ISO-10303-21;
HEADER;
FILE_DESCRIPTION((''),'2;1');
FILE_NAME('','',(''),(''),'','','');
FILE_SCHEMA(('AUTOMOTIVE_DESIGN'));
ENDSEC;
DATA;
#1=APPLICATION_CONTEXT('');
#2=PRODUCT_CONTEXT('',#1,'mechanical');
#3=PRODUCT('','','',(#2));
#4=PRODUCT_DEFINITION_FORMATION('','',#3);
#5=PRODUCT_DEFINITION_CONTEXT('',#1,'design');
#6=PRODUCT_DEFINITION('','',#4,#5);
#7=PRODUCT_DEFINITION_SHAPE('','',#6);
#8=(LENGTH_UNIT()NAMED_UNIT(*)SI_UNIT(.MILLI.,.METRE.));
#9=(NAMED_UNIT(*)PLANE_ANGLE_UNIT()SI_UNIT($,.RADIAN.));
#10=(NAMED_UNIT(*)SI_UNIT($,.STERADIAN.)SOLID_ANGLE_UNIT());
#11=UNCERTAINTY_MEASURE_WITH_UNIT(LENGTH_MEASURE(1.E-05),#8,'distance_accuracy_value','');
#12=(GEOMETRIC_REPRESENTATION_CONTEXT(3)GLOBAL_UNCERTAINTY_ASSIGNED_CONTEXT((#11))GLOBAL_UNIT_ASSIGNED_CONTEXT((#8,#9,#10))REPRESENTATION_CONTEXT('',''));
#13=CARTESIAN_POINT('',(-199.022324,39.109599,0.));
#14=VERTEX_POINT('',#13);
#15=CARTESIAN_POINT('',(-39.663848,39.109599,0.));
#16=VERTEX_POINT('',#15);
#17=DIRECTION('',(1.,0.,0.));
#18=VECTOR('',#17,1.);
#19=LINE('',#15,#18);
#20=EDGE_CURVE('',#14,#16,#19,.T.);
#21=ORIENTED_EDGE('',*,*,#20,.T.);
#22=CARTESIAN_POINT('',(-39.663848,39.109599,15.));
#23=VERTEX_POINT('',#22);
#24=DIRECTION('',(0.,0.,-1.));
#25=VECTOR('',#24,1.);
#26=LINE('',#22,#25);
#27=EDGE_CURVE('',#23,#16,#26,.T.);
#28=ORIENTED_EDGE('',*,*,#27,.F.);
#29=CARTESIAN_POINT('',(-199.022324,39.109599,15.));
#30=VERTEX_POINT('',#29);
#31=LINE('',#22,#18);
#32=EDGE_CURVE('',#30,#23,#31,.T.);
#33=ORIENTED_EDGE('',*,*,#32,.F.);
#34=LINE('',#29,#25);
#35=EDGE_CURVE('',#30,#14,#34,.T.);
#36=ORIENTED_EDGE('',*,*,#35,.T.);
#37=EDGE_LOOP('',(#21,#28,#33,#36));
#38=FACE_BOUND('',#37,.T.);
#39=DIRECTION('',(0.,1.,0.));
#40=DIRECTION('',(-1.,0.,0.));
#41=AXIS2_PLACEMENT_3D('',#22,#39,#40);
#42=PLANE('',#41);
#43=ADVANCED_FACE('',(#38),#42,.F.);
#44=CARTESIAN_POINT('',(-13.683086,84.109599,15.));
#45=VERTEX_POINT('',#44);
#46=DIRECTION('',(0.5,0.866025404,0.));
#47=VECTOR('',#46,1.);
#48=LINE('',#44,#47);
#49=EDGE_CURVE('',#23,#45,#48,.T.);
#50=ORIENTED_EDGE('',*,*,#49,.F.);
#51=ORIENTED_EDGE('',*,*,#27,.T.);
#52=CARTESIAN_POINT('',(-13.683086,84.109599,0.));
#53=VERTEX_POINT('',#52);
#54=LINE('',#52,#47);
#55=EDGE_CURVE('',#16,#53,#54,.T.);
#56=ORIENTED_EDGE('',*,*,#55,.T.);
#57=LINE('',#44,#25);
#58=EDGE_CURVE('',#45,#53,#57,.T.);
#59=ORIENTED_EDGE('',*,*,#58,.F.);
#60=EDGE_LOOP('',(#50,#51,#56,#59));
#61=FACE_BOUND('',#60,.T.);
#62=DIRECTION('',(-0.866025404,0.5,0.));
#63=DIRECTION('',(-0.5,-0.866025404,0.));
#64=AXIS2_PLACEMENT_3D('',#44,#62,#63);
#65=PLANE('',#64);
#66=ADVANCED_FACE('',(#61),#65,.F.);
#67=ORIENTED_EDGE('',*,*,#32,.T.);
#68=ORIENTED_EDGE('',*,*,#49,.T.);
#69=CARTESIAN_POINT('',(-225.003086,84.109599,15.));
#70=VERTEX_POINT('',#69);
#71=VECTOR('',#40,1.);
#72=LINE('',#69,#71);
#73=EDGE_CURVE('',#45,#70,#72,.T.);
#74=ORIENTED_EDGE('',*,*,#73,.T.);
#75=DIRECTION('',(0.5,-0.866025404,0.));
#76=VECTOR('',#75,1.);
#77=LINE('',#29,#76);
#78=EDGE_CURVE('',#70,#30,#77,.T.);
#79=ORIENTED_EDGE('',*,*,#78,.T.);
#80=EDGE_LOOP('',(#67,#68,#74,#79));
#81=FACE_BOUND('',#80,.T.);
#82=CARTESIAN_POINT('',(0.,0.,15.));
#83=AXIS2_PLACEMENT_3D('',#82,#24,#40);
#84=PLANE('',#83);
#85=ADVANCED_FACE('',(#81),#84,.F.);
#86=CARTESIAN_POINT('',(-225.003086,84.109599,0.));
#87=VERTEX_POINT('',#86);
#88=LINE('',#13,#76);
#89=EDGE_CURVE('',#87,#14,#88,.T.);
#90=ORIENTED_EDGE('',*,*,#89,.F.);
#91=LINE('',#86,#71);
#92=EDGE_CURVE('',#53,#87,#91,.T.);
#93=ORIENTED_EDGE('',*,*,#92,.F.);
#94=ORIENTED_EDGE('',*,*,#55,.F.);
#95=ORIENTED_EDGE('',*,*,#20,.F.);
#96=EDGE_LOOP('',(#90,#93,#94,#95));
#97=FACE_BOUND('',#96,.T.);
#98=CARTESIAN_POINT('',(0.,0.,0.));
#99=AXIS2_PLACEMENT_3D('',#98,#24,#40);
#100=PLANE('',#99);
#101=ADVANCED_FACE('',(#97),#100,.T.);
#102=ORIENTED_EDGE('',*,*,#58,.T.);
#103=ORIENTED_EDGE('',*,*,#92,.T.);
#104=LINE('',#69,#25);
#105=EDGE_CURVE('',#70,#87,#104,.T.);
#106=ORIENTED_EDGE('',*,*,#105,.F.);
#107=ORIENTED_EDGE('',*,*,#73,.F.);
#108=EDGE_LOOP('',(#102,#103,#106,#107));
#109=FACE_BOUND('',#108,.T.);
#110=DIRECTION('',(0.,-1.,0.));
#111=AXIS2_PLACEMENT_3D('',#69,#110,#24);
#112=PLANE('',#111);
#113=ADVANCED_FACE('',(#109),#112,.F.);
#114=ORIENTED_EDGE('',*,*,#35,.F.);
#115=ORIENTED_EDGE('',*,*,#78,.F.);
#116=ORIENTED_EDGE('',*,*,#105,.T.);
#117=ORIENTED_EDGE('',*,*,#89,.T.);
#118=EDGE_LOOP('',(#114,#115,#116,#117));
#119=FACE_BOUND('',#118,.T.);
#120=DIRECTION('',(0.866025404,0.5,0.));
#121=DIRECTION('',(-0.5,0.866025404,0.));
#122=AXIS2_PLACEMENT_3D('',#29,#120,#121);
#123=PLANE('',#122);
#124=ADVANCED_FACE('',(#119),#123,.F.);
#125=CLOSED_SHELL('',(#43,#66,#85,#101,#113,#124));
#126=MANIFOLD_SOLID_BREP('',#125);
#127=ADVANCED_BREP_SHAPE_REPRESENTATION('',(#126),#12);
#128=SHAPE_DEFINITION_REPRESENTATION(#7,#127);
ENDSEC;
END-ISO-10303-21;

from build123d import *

# Parameters (mm, degrees)
BOSS_EXTRU_1_DEPTH = 15


with BuildPart() as part:
    # Esquisse1 → Boss.-Extru.1 (new body)
    with BuildSketch(Plane.XY):
        Polygon((-225.003085821, 84.109598527), (-13.683085821, 84.109598527), (-39.663847934, 39.109598527), (-199.022323707, 39.109598527), align=None)
    extrude(amount=BOSS_EXTRU_1_DEPTH)


solid = part.part
